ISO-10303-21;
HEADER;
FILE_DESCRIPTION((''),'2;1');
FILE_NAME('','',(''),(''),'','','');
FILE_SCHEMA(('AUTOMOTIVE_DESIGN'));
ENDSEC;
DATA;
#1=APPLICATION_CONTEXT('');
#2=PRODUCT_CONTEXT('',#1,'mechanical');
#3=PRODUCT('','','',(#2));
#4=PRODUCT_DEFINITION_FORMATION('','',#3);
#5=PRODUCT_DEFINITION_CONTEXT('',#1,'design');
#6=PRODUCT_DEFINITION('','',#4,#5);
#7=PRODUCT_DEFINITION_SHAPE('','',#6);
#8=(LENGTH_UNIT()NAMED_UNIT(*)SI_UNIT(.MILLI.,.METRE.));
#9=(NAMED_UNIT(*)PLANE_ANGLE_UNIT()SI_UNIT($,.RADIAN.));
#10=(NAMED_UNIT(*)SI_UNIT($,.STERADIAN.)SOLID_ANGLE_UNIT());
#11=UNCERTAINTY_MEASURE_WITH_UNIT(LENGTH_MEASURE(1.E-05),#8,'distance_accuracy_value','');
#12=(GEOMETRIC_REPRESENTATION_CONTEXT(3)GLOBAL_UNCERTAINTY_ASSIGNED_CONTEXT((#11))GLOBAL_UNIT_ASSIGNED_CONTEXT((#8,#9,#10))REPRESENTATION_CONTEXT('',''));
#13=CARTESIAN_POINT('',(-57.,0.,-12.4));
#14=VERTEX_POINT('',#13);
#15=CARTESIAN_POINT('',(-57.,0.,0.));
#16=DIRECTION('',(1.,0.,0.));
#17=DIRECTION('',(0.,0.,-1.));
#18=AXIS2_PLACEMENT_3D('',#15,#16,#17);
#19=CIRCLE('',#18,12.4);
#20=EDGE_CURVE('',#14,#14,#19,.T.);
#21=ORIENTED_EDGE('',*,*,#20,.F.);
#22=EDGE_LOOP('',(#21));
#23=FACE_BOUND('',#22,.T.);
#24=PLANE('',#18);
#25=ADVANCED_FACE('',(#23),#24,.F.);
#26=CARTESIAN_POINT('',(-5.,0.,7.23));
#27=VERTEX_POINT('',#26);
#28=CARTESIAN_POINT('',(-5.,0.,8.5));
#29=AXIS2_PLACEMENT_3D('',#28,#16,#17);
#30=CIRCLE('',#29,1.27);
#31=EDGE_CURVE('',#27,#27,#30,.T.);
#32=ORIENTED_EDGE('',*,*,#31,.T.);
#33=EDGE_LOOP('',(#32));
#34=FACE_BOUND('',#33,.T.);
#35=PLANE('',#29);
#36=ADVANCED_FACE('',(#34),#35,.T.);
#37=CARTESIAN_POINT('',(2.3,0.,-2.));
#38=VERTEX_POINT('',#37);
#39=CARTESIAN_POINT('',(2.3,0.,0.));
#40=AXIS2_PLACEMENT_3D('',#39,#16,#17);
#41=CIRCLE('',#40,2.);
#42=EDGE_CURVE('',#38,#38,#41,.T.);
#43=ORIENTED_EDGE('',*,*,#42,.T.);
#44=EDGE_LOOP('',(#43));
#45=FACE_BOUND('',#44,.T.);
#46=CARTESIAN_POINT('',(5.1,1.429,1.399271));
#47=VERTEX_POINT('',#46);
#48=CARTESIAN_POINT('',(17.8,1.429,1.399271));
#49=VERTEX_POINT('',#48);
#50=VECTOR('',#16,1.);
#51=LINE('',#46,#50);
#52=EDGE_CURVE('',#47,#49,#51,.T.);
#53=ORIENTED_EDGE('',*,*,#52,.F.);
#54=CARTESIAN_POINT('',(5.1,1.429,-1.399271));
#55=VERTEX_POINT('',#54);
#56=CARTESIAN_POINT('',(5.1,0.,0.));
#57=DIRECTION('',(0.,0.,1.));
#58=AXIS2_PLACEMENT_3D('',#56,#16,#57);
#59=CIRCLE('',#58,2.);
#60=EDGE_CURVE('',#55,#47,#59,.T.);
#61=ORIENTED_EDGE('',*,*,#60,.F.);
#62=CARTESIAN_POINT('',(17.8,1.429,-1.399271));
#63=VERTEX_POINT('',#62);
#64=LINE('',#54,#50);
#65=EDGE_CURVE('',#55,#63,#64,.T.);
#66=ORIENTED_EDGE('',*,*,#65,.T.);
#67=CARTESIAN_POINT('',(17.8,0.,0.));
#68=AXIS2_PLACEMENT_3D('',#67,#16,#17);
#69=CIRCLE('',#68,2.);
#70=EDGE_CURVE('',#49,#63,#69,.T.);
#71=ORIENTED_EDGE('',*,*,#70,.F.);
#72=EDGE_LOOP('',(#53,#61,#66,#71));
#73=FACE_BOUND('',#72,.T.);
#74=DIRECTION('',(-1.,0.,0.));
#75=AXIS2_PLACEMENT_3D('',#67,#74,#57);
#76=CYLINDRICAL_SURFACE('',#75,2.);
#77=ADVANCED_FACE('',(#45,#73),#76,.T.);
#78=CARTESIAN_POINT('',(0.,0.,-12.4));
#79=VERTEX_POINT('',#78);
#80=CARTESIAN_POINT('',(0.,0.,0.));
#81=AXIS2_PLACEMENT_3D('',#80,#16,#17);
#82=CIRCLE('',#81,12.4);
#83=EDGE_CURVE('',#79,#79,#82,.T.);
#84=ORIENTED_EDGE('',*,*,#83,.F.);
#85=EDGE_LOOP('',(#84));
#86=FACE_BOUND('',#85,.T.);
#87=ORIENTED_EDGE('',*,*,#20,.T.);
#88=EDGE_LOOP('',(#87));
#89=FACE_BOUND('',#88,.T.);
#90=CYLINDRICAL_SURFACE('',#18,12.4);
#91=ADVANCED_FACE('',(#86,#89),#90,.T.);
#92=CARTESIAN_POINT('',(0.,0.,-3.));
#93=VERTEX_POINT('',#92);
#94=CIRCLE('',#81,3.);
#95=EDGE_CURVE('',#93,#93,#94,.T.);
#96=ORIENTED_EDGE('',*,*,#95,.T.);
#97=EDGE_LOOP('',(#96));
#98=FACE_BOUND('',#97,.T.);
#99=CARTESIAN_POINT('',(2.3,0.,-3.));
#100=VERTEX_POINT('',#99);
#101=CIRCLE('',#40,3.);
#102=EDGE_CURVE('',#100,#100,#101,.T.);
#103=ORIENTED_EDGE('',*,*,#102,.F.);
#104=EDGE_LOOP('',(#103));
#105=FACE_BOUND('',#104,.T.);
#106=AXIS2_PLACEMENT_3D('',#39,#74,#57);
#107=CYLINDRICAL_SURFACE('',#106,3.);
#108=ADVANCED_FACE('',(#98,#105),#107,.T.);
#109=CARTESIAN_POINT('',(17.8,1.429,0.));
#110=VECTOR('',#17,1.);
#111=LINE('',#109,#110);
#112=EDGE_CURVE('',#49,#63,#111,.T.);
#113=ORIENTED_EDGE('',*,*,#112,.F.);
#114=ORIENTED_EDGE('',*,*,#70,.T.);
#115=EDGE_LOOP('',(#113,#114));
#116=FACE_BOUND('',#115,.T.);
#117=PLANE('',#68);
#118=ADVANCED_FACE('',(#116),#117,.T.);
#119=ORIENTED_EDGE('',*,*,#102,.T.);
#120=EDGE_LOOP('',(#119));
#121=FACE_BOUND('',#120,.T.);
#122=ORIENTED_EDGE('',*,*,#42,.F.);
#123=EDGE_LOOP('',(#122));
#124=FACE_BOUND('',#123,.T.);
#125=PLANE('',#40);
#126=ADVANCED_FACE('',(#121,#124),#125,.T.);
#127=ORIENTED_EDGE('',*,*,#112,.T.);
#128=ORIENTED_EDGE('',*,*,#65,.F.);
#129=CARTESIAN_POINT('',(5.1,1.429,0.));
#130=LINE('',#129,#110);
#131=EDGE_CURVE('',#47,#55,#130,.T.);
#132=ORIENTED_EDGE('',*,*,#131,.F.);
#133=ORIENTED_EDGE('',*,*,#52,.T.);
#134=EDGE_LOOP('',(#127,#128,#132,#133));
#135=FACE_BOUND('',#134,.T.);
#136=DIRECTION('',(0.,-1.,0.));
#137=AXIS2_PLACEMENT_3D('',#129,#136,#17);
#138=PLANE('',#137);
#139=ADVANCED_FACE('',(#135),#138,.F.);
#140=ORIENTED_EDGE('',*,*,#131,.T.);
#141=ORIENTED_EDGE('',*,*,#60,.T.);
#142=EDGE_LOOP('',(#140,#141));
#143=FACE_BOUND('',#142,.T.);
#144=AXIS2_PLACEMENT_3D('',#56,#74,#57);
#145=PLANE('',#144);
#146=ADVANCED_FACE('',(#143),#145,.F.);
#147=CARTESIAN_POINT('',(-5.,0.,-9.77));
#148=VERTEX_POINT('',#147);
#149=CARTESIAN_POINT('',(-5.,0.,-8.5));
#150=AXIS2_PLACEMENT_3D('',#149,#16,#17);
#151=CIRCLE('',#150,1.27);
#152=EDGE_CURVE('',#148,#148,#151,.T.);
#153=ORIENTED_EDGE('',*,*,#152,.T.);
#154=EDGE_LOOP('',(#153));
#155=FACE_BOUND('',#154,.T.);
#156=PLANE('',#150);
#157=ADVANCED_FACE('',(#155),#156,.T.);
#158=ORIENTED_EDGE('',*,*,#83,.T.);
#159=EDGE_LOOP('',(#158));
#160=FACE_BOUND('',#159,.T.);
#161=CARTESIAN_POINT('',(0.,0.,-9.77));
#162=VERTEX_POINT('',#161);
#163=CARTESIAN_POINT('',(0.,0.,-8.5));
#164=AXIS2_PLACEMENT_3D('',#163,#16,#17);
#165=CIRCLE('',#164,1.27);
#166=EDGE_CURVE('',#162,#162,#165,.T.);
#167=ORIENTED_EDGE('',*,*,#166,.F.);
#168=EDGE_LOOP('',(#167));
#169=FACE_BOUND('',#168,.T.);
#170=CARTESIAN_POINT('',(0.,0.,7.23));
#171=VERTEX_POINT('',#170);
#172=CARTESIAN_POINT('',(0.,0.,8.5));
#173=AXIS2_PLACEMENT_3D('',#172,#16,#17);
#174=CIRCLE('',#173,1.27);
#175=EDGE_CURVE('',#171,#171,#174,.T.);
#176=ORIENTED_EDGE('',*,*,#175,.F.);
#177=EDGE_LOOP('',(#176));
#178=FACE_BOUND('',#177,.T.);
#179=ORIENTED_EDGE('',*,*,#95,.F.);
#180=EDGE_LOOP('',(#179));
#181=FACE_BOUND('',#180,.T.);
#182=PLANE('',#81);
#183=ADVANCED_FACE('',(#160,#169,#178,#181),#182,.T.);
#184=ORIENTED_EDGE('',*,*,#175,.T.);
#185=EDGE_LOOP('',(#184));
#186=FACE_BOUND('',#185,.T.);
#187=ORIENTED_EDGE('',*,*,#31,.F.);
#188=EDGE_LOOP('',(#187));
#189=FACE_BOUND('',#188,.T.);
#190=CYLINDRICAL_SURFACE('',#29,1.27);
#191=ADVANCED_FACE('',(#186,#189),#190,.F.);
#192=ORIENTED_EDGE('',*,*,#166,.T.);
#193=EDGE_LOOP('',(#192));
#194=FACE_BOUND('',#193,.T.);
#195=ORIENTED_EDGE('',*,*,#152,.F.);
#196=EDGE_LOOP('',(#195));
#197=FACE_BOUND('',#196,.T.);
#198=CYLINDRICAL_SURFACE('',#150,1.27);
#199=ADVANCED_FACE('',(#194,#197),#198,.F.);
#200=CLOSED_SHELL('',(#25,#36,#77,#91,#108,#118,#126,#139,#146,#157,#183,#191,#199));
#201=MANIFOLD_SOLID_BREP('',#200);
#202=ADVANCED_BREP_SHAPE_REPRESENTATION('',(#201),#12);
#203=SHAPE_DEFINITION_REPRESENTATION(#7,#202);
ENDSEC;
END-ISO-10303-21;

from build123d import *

# Parameters (mm, degrees)
SKETCH1_R           = 12.4
BOSS_EXTRUDE1_DEPTH = 57
SKETCH2_R           = 3
BOSS_EXTRUDE2_DEPTH = 2.3
SKETCH3_R           = 2
BOSS_EXTRUDE3_DEPTH = 15.5
SKETCH4_R           = 1.27
CUT_EXTRUDE1_DEPTH  = 5
CUT_EXTRUDE3_DEPTH  = 12.7


with BuildPart() as part:
    # Sketch1 → Boss-Extrude1 (new body)
    with BuildSketch(Plane(origin=(0, 0, 0), x_dir=(0, 0, -1), z_dir=(1, 0, 0))):
        Circle(SKETCH1_R)
    extrude(amount=-BOSS_EXTRUDE1_DEPTH)

    # Sketch2 → Boss-Extrude2 (add)
    with BuildSketch(Plane(origin=(0, 0, 0), x_dir=(0, 0, -1), z_dir=(1, 0, 0))):
        Circle(SKETCH2_R)
    extrude(amount=BOSS_EXTRUDE2_DEPTH)

    # Sketch3 → Boss-Extrude3 (add)
    with BuildSketch(Plane(origin=(2.3, 0, 0), x_dir=(0, 0, -1), z_dir=(1, 0, 0))):
        Circle(SKETCH3_R)
    extrude(amount=BOSS_EXTRUDE3_DEPTH)

    # Sketch4 → Cut-Extrude1 (cut)
    with BuildSketch(Plane(origin=(0, 0, 0), x_dir=(0, 0, -1), z_dir=(1, 0, 0))):
        with Locations((8.5, 0)):
            Circle(SKETCH4_R)
        with Locations((-8.5, 0)):
            Circle(SKETCH4_R)
    extrude(amount=-CUT_EXTRUDE1_DEPTH, mode=Mode.SUBTRACT)

    # Sketch5 → Cut-Extrude3 (cut)
    with BuildSketch(Plane(origin=(17.8, 0, 0), x_dir=(0, 0, -1), z_dir=(1, 0, 0))):
        with BuildLine():
            Line((0, 1.429), (-1.399270882, 1.429))
            ThreePointArc((-1.399270882, 1.429), (0, 2), (1.399270882, 1.429))
            Line((1.399270882, 1.429), (0, 1.429))
        make_face()
    extrude(amount=-CUT_EXTRUDE3_DEPTH, mode=Mode.SUBTRACT)


solid = part.part
